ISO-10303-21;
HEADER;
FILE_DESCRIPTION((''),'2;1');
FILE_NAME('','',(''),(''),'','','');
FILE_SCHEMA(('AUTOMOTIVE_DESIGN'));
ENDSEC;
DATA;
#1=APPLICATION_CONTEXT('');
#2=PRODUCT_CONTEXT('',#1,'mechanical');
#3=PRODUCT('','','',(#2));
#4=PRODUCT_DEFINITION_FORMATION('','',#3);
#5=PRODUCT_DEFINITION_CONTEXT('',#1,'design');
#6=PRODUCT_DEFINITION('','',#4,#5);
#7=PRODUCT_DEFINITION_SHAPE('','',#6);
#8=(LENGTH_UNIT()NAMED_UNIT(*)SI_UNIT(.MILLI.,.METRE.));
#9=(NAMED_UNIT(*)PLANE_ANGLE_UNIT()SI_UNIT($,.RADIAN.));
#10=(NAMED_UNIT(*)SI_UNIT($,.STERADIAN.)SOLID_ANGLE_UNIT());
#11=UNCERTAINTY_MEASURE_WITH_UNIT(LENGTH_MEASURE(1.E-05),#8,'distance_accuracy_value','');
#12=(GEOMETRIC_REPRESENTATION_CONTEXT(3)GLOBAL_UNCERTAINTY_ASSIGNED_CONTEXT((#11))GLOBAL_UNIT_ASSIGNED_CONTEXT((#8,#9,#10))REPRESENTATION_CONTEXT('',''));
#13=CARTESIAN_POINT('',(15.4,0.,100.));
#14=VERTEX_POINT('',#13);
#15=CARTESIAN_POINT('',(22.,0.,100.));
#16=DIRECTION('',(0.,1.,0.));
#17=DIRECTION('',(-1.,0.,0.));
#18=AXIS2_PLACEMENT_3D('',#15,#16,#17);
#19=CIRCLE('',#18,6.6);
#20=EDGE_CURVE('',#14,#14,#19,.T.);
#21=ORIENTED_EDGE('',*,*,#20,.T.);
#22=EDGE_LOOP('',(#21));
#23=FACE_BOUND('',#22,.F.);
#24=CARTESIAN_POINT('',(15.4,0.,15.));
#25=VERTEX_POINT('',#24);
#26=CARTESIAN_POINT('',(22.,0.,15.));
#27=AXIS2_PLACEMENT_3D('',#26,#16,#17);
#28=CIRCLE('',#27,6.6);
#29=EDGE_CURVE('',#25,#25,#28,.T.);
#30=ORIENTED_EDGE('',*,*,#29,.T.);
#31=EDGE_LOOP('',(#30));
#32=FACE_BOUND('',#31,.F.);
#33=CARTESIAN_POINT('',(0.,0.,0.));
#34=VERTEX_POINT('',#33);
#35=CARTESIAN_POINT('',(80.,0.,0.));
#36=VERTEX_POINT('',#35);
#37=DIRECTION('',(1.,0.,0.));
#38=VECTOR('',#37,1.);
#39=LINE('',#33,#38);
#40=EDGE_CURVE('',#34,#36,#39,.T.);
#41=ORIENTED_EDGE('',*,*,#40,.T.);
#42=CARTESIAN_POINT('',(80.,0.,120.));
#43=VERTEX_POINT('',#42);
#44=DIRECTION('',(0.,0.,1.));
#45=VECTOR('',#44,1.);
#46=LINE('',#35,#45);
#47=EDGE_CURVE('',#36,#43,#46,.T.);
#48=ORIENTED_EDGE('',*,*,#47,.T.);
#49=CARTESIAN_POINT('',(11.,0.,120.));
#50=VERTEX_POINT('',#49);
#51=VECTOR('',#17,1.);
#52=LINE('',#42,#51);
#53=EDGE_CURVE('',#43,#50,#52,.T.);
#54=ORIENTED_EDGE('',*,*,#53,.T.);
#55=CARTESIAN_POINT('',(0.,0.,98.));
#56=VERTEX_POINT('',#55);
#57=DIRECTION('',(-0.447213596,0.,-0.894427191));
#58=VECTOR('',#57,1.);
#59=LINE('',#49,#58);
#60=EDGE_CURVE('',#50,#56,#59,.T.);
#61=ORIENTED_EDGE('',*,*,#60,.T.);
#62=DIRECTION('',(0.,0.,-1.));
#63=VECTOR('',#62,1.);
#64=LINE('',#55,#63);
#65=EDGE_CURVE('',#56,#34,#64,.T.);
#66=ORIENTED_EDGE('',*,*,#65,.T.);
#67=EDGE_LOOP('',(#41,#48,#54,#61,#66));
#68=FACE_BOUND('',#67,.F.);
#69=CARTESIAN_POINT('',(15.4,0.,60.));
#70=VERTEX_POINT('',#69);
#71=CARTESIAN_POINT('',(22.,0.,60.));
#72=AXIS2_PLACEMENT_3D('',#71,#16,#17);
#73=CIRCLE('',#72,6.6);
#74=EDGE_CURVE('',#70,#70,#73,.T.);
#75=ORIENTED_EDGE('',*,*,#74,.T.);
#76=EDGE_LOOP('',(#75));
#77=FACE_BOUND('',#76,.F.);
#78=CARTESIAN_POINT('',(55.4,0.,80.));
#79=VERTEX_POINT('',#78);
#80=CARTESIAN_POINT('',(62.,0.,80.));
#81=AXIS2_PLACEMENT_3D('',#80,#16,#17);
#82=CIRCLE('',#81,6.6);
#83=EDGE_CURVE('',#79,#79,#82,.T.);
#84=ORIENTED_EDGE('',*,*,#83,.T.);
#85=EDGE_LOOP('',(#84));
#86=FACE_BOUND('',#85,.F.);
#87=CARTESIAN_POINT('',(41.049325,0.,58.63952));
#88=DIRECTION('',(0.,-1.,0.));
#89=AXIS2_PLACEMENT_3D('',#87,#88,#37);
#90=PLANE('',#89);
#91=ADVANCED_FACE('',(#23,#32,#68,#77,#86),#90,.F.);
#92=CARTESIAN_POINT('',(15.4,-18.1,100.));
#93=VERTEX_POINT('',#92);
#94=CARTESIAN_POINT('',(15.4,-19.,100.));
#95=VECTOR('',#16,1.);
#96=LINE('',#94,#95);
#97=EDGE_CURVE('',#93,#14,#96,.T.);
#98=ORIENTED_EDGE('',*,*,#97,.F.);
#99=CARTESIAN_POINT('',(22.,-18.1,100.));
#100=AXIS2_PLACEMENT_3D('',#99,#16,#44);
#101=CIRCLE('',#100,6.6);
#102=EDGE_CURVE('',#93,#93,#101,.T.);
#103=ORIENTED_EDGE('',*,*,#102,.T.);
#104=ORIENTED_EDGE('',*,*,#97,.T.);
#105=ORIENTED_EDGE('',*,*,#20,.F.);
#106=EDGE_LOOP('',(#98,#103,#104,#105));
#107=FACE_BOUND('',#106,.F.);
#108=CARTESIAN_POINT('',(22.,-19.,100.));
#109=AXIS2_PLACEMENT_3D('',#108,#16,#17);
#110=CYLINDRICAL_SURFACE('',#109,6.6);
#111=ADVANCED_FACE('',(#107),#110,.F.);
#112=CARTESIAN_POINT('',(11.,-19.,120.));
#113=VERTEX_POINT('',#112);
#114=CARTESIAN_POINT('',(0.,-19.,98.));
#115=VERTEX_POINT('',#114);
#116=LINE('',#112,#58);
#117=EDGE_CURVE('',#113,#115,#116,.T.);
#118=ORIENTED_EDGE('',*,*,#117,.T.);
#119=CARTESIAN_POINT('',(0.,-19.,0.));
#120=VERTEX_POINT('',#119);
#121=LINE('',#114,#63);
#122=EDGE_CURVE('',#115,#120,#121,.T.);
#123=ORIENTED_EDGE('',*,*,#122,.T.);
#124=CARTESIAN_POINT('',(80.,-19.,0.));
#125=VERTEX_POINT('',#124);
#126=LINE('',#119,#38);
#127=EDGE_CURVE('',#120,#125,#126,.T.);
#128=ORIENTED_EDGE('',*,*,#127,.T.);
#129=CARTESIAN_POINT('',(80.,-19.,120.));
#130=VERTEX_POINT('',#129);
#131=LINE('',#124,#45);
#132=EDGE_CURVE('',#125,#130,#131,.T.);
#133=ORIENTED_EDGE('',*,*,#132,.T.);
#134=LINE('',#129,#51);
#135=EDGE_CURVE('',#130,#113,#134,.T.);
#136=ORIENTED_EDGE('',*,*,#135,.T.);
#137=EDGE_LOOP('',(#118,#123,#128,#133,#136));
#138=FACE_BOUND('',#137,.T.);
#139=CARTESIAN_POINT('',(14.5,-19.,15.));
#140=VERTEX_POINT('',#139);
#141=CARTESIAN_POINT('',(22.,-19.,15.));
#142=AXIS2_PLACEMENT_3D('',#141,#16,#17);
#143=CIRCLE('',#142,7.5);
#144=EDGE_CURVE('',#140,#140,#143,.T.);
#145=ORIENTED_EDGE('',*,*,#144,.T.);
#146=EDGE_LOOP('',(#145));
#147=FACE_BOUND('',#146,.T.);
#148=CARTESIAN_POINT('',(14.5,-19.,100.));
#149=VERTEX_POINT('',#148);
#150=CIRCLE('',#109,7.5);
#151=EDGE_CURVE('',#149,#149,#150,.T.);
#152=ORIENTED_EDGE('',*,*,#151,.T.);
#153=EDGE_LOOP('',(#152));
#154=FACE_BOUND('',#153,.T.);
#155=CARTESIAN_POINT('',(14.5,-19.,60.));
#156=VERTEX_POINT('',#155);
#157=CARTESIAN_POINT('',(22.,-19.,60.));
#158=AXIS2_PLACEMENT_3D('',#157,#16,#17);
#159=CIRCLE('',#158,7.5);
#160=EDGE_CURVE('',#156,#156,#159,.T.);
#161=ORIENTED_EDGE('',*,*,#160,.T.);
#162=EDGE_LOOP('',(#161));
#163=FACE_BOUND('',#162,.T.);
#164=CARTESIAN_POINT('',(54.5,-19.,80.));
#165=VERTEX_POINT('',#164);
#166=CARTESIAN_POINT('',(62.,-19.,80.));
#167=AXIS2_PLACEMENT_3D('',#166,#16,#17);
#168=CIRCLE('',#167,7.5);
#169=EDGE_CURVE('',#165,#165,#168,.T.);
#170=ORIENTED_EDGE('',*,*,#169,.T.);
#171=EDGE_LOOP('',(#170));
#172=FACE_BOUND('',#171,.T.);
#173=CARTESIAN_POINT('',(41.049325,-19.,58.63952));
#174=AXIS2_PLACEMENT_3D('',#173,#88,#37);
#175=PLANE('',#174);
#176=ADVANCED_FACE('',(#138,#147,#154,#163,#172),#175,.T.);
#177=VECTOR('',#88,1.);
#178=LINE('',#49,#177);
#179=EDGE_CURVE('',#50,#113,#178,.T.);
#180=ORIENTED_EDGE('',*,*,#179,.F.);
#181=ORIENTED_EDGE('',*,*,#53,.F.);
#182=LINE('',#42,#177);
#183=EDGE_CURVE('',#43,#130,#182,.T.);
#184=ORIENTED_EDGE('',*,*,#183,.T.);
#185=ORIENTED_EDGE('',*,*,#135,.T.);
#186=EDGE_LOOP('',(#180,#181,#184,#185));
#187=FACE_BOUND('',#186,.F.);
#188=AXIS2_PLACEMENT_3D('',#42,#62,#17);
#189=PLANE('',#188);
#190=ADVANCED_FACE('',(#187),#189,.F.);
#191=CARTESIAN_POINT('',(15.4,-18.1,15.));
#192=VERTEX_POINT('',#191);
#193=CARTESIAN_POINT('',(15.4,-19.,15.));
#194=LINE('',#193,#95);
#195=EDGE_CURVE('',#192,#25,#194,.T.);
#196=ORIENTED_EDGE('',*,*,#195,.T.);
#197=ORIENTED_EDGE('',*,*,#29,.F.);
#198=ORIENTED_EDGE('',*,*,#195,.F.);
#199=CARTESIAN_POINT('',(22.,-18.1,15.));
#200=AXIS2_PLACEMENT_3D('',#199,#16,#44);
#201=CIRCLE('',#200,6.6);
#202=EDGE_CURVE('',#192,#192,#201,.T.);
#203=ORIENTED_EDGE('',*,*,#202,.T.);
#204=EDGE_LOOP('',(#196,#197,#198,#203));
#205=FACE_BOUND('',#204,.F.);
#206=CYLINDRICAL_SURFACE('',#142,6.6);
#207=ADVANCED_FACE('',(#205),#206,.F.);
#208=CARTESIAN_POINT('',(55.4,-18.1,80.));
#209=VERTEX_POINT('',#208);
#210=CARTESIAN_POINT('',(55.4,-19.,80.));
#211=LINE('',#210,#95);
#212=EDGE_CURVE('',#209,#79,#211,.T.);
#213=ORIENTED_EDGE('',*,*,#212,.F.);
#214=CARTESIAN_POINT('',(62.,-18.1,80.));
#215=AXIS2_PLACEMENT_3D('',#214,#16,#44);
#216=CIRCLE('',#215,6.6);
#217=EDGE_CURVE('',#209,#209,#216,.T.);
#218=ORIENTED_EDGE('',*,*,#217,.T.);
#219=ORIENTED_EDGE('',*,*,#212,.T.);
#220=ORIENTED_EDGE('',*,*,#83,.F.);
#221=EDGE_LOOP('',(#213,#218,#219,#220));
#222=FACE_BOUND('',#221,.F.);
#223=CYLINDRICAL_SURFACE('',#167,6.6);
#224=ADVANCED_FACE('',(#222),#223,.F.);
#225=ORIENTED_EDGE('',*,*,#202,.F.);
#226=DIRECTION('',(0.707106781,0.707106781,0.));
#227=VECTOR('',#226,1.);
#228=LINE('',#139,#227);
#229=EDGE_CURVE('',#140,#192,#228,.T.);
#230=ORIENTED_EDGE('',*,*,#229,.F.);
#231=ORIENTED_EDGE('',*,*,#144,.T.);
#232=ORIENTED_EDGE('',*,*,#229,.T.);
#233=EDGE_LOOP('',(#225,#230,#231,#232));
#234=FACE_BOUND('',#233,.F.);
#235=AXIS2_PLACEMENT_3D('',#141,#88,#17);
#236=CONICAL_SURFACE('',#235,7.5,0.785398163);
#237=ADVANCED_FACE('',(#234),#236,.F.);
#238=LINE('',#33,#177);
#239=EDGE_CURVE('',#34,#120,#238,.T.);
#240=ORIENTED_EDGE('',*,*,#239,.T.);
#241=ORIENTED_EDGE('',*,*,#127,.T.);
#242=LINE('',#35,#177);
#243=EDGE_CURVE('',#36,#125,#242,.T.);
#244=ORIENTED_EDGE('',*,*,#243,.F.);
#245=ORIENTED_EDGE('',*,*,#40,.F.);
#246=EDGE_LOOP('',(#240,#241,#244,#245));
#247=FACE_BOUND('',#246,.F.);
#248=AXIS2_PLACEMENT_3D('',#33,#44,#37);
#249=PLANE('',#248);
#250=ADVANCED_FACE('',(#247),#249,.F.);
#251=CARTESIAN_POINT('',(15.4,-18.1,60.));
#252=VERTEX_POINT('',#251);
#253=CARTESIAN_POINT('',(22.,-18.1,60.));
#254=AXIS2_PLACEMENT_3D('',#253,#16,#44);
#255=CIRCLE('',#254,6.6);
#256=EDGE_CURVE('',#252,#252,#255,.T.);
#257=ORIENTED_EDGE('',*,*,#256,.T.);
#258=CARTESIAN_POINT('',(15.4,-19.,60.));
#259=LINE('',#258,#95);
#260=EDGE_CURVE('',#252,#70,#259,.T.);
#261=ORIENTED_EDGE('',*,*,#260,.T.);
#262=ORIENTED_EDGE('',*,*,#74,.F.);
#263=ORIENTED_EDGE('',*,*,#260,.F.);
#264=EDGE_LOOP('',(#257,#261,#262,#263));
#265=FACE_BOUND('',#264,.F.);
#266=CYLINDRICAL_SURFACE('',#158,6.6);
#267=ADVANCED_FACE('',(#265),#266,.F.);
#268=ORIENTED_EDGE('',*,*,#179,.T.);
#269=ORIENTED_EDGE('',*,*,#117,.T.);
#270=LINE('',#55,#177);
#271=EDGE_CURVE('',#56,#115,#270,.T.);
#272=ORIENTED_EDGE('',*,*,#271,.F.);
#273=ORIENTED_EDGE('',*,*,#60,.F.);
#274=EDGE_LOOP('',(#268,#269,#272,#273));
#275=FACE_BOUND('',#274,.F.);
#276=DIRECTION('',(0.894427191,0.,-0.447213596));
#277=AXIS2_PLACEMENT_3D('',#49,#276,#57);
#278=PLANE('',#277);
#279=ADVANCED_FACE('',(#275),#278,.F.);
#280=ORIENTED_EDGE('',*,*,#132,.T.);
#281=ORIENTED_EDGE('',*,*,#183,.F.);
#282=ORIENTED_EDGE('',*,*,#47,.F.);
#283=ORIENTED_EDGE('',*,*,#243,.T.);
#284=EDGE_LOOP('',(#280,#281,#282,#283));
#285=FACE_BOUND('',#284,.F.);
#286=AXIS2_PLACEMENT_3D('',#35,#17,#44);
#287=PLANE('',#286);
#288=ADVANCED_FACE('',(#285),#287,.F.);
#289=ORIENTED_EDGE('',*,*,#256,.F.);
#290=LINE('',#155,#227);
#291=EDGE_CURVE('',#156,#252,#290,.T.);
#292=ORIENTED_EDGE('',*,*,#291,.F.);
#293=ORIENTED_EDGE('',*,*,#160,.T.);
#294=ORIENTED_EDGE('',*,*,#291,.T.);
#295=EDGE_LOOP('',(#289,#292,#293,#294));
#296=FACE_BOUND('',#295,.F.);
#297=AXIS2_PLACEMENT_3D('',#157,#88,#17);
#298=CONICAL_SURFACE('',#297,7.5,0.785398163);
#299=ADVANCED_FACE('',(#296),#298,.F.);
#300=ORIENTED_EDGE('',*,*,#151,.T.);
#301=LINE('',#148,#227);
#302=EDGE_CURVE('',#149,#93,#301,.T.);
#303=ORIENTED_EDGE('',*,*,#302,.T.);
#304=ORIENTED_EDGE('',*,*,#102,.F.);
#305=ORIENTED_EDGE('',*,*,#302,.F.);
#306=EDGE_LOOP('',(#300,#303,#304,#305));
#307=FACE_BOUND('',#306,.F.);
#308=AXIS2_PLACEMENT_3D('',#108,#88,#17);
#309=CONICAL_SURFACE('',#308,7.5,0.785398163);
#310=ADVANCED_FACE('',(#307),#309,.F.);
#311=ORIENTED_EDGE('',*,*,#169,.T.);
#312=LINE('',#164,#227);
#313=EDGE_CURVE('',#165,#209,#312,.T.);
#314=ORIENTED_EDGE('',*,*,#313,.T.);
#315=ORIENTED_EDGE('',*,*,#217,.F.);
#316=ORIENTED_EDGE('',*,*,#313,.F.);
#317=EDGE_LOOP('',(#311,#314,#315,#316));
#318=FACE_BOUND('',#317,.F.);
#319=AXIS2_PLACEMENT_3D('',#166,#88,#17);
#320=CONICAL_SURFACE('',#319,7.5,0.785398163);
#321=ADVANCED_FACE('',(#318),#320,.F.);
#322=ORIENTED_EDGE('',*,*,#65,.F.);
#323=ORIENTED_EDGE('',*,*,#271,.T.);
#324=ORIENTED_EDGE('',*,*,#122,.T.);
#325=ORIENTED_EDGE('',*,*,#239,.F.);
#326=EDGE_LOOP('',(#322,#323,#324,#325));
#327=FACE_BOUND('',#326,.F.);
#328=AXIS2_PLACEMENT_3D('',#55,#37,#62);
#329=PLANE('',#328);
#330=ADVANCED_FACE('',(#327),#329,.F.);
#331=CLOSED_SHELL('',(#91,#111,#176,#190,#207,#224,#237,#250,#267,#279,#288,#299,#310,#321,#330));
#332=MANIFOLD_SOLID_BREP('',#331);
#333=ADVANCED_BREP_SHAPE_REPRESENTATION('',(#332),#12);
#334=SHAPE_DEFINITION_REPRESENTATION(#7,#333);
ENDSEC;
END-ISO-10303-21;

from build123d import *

# Parameters (mm, degrees)
F1_DEPTH       = 19
F3_D           = 13.2
F3_CSINK_D     = 15
F3_CSINK_ANGLE = 90


with BuildPart() as f1:
    # F0 (on Front) → F1 (new body)
    with BuildSketch(Plane.XZ):
        Polygon((0, 98), (0, 0), (80, 0), (80, 120), (11, 120), align=None)
    extrude(amount=F1_DEPTH)

    # F3 (through all)
    with Locations(Plane.XZ.offset(19)):
        with Locations((62, 80), (22, 15), (22, 60), (22, 100)):
            CounterSinkHole(F3_D / 2, F3_CSINK_D / 2, counter_sink_angle=F3_CSINK_ANGLE)


solid = f1.part
